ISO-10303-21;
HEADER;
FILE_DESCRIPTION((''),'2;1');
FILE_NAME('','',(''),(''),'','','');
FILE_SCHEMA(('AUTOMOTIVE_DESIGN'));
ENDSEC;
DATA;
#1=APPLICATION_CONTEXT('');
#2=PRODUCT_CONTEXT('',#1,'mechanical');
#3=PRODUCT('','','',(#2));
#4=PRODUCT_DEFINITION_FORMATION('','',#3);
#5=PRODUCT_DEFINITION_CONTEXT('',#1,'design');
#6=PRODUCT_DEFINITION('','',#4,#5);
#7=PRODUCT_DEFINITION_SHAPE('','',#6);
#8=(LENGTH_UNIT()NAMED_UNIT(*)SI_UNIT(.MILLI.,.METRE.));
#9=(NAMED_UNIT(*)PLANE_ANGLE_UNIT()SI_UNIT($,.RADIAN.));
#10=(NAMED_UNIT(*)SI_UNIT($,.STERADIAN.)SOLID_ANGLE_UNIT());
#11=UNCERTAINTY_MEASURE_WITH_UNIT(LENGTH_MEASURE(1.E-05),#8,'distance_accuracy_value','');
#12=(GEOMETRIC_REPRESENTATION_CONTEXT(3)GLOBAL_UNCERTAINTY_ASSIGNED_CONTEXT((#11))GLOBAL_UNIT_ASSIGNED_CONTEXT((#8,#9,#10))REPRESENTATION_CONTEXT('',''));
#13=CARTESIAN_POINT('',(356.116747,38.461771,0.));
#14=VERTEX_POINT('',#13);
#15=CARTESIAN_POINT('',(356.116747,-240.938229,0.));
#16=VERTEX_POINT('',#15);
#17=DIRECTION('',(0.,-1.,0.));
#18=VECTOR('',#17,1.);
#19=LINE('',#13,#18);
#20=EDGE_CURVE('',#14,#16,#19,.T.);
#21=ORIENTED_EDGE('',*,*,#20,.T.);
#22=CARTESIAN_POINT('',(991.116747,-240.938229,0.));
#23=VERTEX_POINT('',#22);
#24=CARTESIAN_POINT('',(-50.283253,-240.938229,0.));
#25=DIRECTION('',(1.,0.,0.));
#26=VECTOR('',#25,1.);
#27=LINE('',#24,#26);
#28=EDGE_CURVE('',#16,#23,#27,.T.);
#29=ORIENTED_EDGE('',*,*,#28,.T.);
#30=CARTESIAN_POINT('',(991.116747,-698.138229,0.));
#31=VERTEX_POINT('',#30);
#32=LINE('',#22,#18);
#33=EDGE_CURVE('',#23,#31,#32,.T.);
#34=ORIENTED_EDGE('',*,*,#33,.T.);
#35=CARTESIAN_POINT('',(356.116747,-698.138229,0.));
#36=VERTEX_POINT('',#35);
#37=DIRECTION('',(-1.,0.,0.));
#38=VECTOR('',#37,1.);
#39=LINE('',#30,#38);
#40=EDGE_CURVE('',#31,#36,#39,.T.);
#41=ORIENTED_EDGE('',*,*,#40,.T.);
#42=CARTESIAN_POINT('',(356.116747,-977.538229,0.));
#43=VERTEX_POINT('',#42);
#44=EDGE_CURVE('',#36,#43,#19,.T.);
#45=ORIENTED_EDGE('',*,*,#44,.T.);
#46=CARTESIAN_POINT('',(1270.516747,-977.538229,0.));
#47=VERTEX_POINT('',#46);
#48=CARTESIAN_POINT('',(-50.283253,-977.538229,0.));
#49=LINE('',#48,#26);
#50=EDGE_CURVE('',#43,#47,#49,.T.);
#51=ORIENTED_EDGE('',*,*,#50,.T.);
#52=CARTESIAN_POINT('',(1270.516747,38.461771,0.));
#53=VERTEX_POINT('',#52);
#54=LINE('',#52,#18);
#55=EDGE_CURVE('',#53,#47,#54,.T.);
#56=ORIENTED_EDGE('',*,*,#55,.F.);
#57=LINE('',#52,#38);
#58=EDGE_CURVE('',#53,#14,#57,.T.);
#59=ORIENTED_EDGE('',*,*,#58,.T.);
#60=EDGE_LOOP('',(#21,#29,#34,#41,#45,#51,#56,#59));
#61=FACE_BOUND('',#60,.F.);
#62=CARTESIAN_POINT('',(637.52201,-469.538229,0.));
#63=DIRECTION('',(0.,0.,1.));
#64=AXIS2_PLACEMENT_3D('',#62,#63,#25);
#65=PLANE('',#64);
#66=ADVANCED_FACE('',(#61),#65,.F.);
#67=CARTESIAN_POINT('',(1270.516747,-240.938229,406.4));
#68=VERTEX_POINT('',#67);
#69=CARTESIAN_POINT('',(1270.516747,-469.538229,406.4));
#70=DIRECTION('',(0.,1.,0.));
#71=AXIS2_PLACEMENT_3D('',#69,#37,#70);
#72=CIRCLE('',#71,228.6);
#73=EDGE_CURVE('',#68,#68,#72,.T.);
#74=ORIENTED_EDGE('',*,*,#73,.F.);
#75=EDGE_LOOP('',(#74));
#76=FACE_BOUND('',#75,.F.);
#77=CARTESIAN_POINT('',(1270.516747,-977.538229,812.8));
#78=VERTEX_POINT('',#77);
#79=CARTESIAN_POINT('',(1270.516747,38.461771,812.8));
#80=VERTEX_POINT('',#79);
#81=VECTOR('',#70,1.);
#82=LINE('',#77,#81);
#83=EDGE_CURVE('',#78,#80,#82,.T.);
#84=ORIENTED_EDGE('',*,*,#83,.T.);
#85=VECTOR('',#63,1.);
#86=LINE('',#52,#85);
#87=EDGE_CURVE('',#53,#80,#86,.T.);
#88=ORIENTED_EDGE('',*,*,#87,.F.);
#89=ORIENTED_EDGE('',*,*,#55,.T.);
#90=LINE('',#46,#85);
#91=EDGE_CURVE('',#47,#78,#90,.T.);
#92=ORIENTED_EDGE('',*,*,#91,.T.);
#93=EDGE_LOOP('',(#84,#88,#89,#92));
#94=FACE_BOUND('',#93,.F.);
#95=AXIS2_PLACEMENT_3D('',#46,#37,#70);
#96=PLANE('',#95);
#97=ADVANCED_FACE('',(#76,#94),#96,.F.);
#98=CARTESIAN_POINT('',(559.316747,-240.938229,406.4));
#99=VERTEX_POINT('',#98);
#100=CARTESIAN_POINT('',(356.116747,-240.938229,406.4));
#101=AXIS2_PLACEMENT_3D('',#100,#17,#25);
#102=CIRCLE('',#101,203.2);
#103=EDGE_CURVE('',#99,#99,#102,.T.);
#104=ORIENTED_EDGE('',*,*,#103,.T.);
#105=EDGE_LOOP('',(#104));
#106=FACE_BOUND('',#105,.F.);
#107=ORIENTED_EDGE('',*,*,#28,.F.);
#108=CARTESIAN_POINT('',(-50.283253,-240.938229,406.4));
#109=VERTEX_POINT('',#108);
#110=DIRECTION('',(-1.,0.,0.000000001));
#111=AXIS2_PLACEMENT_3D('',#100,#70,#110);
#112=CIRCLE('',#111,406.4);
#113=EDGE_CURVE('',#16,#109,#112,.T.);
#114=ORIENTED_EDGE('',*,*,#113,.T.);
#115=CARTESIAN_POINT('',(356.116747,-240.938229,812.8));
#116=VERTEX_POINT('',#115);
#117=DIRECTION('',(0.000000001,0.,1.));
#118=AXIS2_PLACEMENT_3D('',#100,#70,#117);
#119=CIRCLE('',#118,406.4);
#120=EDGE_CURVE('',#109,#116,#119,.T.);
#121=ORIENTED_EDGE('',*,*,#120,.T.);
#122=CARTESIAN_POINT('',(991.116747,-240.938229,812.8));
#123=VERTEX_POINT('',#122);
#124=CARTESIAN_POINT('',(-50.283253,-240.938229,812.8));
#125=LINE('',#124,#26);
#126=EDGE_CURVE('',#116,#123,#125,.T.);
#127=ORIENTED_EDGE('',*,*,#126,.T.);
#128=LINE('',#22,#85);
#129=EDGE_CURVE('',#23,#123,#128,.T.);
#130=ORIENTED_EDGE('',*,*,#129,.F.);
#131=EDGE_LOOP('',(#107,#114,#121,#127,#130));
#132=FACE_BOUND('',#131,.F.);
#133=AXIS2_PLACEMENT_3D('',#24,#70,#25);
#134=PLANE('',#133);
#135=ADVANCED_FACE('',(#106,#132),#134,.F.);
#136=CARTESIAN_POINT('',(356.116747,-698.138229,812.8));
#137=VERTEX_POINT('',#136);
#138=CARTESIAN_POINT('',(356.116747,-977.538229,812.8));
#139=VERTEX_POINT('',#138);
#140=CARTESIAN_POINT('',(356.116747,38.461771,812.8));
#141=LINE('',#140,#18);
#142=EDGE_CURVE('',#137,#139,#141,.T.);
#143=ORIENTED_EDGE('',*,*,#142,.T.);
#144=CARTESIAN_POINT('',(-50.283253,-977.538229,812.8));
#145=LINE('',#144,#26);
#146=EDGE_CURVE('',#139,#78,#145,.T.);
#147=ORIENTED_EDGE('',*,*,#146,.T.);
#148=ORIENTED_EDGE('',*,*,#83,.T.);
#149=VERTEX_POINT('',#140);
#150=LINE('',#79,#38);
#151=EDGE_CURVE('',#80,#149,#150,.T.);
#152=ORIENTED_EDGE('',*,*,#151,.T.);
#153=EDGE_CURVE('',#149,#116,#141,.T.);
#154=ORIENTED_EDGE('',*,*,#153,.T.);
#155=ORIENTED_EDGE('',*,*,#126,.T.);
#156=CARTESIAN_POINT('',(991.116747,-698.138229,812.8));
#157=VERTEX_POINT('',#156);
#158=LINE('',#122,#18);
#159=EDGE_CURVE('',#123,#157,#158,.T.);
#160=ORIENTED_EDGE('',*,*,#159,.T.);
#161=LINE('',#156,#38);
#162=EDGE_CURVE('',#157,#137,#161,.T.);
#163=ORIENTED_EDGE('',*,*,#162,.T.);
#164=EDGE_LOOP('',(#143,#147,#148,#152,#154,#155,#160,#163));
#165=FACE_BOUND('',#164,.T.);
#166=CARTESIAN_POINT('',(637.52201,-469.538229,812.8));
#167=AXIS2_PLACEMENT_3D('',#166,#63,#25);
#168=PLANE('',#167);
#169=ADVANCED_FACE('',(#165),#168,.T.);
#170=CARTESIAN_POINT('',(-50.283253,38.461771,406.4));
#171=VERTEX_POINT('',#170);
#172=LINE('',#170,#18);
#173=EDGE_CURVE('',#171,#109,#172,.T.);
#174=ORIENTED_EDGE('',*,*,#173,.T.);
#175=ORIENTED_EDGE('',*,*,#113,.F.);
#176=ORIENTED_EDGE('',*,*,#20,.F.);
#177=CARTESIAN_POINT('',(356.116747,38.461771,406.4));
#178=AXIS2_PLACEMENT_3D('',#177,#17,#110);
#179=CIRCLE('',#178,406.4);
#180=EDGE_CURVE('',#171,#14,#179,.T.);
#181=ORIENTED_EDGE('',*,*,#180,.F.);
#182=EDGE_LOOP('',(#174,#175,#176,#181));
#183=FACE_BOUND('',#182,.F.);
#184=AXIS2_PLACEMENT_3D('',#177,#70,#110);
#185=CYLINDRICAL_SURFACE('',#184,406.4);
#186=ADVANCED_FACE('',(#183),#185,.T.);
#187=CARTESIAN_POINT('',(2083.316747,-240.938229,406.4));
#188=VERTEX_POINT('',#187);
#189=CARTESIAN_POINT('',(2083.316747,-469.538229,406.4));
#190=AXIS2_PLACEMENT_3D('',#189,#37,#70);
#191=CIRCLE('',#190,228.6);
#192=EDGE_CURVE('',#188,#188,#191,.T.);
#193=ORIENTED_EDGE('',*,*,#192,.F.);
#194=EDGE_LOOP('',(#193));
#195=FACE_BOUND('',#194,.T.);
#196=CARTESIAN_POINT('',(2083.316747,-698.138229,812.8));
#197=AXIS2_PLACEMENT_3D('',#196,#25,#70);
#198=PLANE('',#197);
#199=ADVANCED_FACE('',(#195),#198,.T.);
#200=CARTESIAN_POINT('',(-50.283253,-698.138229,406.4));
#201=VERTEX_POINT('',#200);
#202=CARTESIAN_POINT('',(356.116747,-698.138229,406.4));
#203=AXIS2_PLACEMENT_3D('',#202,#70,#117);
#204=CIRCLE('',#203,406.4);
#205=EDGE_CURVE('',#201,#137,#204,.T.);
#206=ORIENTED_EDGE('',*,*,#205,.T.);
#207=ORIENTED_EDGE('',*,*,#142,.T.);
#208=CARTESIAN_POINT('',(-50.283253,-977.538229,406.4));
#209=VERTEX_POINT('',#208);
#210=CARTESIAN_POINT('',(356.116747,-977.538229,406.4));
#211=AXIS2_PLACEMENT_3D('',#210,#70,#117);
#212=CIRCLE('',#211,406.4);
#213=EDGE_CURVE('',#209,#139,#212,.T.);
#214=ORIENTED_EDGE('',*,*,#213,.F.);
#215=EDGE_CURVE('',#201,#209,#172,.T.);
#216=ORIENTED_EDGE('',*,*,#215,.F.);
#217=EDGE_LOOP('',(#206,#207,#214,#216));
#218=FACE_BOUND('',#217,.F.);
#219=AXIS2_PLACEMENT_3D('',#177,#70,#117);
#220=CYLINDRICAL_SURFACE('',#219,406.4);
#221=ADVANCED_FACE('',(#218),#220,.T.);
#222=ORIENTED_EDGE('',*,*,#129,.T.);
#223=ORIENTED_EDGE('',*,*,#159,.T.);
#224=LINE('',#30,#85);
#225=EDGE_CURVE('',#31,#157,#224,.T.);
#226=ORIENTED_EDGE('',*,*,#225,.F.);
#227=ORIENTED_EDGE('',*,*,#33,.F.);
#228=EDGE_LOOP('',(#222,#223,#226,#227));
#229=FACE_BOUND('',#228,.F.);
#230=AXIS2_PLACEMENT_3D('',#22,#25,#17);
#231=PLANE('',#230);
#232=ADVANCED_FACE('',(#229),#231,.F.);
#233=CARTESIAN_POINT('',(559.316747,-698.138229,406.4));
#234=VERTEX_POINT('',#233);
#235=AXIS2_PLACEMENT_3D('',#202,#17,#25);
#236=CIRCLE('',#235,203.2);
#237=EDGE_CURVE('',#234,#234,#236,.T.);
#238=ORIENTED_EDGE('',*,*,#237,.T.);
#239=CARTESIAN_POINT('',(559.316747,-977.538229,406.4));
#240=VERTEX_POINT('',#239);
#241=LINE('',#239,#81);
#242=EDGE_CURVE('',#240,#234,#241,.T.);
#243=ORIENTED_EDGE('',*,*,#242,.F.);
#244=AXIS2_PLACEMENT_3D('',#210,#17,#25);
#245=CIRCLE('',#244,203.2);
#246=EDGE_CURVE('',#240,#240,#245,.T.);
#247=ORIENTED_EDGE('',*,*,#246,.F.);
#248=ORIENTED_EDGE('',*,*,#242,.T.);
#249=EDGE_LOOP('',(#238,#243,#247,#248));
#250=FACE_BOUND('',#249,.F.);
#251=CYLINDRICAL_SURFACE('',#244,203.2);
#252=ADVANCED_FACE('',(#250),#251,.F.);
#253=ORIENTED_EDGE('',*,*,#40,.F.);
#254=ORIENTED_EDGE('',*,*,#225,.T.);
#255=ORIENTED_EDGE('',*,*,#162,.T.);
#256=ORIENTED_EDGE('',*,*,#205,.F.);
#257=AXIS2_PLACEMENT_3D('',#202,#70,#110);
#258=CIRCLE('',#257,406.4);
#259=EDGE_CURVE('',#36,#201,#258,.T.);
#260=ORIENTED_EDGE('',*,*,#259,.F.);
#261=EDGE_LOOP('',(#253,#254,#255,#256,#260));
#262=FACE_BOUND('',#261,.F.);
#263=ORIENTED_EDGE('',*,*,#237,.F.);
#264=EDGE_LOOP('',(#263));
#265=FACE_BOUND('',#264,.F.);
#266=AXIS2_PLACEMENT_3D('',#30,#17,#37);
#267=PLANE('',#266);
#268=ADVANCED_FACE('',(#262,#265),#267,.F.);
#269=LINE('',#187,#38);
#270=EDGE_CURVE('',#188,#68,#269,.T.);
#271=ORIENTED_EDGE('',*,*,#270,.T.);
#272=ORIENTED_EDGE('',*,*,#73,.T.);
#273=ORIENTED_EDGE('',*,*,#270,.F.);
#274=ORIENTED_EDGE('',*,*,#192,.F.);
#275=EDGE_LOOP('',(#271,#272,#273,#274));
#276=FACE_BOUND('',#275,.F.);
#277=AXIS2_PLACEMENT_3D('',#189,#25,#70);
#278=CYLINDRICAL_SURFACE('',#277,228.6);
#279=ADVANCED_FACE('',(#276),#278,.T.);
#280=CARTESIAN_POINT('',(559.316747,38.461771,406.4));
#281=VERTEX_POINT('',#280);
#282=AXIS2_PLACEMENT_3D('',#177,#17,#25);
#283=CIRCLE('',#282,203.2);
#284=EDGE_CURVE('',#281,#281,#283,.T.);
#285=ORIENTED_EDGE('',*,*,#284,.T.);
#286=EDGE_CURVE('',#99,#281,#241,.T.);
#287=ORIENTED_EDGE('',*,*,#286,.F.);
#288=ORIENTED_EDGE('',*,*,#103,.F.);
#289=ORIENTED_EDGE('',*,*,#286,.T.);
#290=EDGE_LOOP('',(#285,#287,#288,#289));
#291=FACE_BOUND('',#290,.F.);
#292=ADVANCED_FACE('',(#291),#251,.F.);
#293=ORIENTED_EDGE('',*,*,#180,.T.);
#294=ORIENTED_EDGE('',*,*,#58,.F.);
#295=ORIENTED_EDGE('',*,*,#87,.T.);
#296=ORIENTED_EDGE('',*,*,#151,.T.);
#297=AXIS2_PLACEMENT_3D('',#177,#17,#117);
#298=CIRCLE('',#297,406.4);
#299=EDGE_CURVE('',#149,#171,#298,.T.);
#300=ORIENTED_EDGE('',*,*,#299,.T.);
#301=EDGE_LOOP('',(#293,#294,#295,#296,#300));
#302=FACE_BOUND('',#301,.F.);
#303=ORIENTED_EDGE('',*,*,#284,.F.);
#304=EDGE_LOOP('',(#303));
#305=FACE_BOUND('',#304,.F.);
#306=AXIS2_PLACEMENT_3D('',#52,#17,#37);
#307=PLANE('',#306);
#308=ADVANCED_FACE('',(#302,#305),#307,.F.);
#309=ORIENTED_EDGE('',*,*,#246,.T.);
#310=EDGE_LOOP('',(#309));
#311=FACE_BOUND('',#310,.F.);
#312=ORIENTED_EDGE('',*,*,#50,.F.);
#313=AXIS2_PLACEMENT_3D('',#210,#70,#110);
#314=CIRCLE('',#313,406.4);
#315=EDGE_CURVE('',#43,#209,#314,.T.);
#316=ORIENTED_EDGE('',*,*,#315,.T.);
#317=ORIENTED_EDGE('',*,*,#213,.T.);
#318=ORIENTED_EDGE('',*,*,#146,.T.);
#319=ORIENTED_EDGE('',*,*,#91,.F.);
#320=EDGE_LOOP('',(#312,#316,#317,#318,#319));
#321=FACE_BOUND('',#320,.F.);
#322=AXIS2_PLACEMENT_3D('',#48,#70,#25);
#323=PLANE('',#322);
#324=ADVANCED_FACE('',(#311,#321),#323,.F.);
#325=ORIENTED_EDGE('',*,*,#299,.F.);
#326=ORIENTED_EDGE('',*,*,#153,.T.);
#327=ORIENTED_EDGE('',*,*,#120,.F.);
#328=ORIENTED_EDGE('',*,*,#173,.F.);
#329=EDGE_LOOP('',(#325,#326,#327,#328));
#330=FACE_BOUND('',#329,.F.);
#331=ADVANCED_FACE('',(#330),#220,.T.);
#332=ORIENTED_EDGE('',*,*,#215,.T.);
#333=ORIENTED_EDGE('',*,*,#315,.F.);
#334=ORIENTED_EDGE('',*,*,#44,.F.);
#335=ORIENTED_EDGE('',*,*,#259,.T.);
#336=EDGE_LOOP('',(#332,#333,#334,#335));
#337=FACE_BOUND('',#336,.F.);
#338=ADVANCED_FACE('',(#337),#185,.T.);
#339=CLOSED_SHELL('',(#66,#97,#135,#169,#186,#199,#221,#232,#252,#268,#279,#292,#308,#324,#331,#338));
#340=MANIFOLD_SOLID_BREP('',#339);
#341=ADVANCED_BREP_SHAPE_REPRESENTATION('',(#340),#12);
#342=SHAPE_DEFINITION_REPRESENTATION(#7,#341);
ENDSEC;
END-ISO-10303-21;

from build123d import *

# Parameters (mm, degrees)
F1_DEPTH = 812.8
F3_DEPTH = 1016.001
F4_W     = 812.8
F4_H     = 457.2
F5_DEPTH = 812.8
F7_DEPTH = 812.8
F8_R     = 203.2
F9_DEPTH = 1016.001


with BuildPart() as f1:
    # F0 (on Top) → F1 (new body)
    with BuildSketch(Plane.XY):
        Polygon((1270.516747, 38.461771), (-50.283253, 38.461771), (-50.283253, -240.938229), (991.116747, -240.938229), (991.116747, -698.138229), (-50.283253, -698.138229), (-50.283253, -977.538229), (1270.516747, -977.538229), align=None)
    extrude(amount=F1_DEPTH)

    # F2 (on face) → F3 (cut, through all)
    with BuildSketch(Plane(origin=(0, 38.461771, 0), x_dir=(-1, 0, 0), z_dir=(0, 1, 0))):
        with BuildLine():
            Line((50.283253, 406.4), (50.283253, 812.8))
            Line((50.283253, 812.8), (-356.116747, 812.8))
            ThreePointArc((-356.116747, 812.8), (-68.748551, 693.768196), (50.283253, 406.4))
        make_face()
        with BuildLine():
            Line((50.283253, 0), (50.283253, 406.4))
            ThreePointArc((50.283253, 406.4), (-68.748551, 119.031804), (-356.116747, 0))
            Line((-356.116747, 0), (50.283253, 0))
        make_face()
    extrude(amount=-F3_DEPTH, mode=Mode.SUBTRACT)

    # F4 (on face) → F5 (join)
    with BuildSketch(Plane.XY.offset(812.8)):
        with Locations((1676.916747, -469.538229)):
            Rectangle(F4_W, F4_H)
    extrude(amount=-F5_DEPTH)

    # F6 (on face) → F7 (cut)
    with BuildSketch(Plane.YZ.offset(2083.316747)):
        with BuildLine():
            ThreePointArc((-698.138229, 406.4), (-469.538229, 635), (-240.938229, 406.4))
            Line((-240.938229, 406.4), (-240.938229, 812.8))
            Line((-240.938229, 812.8), (-698.138229, 812.8))
            Line((-698.138229, 812.8), (-698.138229, 406.4))
        make_face()
        with BuildLine():
            Line((-240.938229, 0), (-240.938229, 406.4))
            ThreePointArc((-240.938229, 406.4), (-469.538229, 177.8), (-698.138229, 406.4))
            Line((-698.138229, 406.4), (-698.138229, 0))
            Line((-698.138229, 0), (-240.938229, 0))
        make_face()
    extrude(amount=-F7_DEPTH, mode=Mode.SUBTRACT)

    # F8 (on face) → F9 (cut, through all)
    with BuildSketch(Plane.XZ.offset(977.538229)):
        with Locations((356.116747, 406.4)):
            Circle(F8_R)
    extrude(amount=-F9_DEPTH, mode=Mode.SUBTRACT)


solid = f1.part
